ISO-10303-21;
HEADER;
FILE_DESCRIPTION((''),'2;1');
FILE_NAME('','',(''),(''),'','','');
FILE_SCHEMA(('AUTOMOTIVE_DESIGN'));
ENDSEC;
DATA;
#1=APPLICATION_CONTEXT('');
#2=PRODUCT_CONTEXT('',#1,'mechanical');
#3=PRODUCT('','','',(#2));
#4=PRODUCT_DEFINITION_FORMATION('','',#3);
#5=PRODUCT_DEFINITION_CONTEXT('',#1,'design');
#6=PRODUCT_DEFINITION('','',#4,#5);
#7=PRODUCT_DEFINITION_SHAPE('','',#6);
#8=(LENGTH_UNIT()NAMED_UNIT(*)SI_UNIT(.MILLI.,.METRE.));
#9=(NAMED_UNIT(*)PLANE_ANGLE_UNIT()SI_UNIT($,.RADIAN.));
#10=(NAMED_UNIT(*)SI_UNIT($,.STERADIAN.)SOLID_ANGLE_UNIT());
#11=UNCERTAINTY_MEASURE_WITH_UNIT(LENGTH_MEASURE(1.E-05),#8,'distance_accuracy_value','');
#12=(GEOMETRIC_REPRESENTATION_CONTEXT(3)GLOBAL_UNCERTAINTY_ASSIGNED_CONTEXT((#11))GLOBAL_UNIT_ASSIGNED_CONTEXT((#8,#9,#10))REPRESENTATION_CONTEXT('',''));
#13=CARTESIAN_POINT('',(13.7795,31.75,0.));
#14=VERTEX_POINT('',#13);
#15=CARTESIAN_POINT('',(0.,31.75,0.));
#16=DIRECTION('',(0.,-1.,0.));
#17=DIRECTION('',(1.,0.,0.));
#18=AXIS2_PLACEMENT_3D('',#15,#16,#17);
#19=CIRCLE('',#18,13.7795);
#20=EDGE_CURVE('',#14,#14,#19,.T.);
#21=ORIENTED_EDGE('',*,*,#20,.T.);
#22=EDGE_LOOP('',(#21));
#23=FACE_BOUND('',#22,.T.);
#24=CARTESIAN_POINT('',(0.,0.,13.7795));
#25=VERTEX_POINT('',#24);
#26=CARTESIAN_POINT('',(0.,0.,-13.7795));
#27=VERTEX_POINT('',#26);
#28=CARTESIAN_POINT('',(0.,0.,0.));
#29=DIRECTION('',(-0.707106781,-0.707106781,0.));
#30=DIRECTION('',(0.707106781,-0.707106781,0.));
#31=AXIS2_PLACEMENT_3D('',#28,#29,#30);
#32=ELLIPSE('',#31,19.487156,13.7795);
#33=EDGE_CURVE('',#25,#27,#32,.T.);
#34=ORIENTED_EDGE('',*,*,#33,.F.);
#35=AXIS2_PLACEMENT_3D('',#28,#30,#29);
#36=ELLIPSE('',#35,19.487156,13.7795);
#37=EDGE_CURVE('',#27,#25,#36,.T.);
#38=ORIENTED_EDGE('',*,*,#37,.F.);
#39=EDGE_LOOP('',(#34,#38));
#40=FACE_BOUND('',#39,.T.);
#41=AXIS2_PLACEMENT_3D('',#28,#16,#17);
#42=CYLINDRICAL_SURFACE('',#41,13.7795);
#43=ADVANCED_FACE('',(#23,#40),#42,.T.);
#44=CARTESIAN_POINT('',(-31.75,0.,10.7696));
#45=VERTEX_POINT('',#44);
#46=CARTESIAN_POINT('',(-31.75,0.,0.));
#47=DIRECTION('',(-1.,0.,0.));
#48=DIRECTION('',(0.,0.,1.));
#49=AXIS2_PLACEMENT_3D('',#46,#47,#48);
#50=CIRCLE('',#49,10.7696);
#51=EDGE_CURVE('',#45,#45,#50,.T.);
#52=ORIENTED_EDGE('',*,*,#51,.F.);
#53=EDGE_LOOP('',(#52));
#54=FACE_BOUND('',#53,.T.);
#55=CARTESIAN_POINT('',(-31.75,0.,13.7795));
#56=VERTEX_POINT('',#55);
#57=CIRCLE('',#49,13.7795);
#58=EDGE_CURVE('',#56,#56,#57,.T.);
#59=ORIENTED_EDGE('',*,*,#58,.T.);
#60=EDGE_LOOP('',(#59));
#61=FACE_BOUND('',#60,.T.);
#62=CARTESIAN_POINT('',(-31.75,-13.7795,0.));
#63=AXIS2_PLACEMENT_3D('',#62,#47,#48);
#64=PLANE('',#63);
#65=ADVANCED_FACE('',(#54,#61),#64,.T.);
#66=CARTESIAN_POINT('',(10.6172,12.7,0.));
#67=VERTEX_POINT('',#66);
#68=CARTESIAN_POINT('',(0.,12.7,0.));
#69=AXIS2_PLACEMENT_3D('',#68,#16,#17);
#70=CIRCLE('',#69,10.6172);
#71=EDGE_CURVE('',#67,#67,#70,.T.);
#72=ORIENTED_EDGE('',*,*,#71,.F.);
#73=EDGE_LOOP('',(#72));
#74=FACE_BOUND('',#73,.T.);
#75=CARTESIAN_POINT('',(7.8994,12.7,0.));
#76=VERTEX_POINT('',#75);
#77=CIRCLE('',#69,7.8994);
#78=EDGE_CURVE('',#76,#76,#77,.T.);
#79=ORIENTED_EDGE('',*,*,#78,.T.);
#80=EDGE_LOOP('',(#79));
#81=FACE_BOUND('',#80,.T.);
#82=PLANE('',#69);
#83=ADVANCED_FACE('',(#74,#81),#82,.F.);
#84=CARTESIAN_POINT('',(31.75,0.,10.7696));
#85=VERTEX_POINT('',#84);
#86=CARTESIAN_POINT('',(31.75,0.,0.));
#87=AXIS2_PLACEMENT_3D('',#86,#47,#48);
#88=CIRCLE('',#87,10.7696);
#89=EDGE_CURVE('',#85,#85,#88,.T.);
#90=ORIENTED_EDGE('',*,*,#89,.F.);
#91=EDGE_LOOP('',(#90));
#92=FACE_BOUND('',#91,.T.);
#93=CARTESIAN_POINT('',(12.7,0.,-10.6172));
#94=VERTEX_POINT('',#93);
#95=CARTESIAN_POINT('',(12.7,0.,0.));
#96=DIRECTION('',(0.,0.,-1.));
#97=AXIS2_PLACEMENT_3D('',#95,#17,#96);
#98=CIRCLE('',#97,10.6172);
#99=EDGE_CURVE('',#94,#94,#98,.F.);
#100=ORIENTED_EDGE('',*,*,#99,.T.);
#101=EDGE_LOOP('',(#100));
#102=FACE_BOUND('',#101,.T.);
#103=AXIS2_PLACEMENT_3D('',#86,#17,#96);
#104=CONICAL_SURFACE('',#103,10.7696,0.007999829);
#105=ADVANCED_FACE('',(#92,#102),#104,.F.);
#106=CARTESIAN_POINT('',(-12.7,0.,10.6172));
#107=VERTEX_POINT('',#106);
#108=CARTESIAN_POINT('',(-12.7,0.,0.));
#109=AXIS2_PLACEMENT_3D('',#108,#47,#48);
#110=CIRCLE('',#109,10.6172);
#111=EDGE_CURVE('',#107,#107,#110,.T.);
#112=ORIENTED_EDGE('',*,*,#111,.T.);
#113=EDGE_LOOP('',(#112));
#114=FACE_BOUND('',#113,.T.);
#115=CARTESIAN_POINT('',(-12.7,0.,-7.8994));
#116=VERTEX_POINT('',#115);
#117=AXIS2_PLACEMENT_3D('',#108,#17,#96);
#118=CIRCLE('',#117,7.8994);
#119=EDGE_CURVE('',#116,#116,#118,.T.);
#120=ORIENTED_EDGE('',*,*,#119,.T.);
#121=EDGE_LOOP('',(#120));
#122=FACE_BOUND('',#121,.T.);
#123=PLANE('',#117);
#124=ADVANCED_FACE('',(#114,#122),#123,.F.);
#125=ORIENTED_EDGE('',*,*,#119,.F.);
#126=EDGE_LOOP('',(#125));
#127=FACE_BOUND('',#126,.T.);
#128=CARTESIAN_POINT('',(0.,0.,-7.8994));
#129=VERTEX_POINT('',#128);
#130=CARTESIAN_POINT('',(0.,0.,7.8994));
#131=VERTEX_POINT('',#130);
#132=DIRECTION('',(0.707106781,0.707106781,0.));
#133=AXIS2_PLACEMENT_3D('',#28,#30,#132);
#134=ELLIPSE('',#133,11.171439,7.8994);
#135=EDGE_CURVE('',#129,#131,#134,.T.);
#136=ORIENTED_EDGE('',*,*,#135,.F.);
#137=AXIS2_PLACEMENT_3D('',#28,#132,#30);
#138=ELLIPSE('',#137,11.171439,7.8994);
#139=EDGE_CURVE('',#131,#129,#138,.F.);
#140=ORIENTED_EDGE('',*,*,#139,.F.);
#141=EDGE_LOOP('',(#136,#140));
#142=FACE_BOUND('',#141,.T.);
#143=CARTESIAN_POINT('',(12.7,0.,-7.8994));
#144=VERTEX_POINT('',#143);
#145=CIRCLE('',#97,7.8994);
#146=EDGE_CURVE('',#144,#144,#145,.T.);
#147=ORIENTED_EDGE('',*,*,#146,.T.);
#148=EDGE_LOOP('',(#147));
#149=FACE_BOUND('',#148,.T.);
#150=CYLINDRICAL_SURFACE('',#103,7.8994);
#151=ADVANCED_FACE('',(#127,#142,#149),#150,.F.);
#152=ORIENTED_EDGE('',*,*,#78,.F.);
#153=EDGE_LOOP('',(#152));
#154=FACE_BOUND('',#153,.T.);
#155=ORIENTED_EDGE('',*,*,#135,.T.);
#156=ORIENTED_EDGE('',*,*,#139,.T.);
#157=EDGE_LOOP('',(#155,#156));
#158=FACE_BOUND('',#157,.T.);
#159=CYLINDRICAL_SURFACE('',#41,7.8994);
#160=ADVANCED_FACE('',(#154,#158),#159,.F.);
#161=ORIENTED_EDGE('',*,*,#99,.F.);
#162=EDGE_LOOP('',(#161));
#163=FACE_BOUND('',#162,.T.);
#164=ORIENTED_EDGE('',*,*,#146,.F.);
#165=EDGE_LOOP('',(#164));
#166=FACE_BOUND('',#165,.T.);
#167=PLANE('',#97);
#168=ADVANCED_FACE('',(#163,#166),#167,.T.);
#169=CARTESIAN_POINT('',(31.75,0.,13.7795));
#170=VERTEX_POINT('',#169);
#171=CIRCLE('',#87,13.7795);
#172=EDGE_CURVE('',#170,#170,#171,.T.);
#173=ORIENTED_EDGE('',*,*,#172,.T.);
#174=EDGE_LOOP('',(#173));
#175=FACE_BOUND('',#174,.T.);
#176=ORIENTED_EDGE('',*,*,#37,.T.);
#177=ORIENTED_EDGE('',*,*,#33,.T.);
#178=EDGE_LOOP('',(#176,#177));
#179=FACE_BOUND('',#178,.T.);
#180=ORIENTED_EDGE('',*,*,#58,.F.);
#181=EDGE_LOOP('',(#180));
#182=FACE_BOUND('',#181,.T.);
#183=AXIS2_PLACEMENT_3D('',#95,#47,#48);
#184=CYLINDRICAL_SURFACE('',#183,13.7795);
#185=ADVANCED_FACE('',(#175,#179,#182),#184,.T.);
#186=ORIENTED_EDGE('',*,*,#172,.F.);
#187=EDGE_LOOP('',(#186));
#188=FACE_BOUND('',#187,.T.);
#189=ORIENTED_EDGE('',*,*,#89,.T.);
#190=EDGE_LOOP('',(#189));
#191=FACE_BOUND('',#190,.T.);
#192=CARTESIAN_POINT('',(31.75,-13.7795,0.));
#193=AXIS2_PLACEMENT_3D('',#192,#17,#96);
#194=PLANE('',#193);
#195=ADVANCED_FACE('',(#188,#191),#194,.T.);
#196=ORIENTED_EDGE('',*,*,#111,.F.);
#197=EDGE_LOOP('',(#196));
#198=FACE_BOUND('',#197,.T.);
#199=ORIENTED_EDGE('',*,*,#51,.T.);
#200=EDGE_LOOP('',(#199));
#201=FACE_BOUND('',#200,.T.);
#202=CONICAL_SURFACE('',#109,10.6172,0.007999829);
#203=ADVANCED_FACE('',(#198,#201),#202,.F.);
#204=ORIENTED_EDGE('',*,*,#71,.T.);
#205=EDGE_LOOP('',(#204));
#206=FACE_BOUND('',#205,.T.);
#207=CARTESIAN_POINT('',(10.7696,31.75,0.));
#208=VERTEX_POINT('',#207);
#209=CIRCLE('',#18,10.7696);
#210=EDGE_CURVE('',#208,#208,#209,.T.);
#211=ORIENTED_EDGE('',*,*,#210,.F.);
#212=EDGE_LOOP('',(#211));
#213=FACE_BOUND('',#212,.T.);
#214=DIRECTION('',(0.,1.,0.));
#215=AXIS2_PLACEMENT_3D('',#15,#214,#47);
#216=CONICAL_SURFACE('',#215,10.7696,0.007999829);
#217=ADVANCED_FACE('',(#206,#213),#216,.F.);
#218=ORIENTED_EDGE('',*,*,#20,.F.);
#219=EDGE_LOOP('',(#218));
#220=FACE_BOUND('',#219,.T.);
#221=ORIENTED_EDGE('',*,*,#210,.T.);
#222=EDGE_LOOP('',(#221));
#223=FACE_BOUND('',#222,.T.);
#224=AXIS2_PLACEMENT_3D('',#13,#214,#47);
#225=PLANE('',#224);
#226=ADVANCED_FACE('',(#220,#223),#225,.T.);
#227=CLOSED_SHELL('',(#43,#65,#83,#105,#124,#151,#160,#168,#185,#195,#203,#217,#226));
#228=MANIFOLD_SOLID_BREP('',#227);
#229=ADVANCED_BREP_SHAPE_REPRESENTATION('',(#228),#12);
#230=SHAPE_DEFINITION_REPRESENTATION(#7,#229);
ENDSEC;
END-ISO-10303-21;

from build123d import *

# Parameters (mm, degrees)
SKETCH4_R           = 13.7795
BOSS_EXTRUDE1_DEPTH = 25.4
SKETCH5_R           = 13.7795
BOSS_EXTRUDE2_DEPTH = 12.7


with BuildPart() as part:
    # Sketch1 → Revolve1 (revolve)
    with BuildSketch(Plane.XY):
        Polygon((-31.75, -13.7795), (-12.7, -13.7795), (-12.7, -10.6172), (-31.75, -10.7696), align=None)
        Polygon((31.75, -10.7696), (12.7, -10.6172), (12.7, -13.7795), (31.75, -13.7795), align=None)
    revolve(axis=Axis((-31.75, 0, 0), (1, 0, 0)))



with BuildPart() as body_2:
    # Sketch2 → Revolve2 (revolve)
    with BuildSketch(Plane.XY):
        Polygon((10.7696, 31.75), (10.6172, 12.7), (13.7795, 12.7), (13.7795, 31.75), align=None)
    revolve(axis=Axis((0, 0, 0), (0, 1, 0)))


with BuildPart() as part_1:
    add(part.part)

    add(body_2.part)  # Boss-Extrude1 merges body 2
    # Sketch4 → Boss-Extrude1 (add)
    with BuildSketch(Plane(origin=(-12.7, 0, 0), x_dir=(0, 0, -1), z_dir=(1, 0, 0))):
        Circle(SKETCH4_R)
    extrude(amount=BOSS_EXTRUDE1_DEPTH)

    # Sketch5 → Boss-Extrude2 (add)
    with BuildSketch(Plane.XZ.offset(-12.7)):
        Circle(SKETCH5_R)
    extrude(amount=BOSS_EXTRUDE2_DEPTH)

    # Sketch6 → Cut-Revolve1 (revolve, cut)
    with BuildSketch(Plane.XY):
        Polygon((-31.75, -10.7696), (-12.7, -10.6172), (-12.7, -7.8994), (12.7, -7.8994), (12.7, -10.6172), (31.75, -10.7696), (31.75, 0), (-31.75, 0), align=None)
    revolve(axis=Axis((31.75, 0, 0), (-1, 0, 0)), mode=Mode.SUBTRACT)

    # Sketch7 → Cut-Revolve2 (revolve, cut)
    with BuildSketch(Plane.XY):
        Polygon((10.7696, 31.75), (10.6172, 12.7), (7.8994, 12.7), (7.8994, 0), (0, 0), (0, 31.75), align=None)
    revolve(axis=Axis((0, 0, 0), (0, 1, 0)), mode=Mode.SUBTRACT)


solid = part_1.part
